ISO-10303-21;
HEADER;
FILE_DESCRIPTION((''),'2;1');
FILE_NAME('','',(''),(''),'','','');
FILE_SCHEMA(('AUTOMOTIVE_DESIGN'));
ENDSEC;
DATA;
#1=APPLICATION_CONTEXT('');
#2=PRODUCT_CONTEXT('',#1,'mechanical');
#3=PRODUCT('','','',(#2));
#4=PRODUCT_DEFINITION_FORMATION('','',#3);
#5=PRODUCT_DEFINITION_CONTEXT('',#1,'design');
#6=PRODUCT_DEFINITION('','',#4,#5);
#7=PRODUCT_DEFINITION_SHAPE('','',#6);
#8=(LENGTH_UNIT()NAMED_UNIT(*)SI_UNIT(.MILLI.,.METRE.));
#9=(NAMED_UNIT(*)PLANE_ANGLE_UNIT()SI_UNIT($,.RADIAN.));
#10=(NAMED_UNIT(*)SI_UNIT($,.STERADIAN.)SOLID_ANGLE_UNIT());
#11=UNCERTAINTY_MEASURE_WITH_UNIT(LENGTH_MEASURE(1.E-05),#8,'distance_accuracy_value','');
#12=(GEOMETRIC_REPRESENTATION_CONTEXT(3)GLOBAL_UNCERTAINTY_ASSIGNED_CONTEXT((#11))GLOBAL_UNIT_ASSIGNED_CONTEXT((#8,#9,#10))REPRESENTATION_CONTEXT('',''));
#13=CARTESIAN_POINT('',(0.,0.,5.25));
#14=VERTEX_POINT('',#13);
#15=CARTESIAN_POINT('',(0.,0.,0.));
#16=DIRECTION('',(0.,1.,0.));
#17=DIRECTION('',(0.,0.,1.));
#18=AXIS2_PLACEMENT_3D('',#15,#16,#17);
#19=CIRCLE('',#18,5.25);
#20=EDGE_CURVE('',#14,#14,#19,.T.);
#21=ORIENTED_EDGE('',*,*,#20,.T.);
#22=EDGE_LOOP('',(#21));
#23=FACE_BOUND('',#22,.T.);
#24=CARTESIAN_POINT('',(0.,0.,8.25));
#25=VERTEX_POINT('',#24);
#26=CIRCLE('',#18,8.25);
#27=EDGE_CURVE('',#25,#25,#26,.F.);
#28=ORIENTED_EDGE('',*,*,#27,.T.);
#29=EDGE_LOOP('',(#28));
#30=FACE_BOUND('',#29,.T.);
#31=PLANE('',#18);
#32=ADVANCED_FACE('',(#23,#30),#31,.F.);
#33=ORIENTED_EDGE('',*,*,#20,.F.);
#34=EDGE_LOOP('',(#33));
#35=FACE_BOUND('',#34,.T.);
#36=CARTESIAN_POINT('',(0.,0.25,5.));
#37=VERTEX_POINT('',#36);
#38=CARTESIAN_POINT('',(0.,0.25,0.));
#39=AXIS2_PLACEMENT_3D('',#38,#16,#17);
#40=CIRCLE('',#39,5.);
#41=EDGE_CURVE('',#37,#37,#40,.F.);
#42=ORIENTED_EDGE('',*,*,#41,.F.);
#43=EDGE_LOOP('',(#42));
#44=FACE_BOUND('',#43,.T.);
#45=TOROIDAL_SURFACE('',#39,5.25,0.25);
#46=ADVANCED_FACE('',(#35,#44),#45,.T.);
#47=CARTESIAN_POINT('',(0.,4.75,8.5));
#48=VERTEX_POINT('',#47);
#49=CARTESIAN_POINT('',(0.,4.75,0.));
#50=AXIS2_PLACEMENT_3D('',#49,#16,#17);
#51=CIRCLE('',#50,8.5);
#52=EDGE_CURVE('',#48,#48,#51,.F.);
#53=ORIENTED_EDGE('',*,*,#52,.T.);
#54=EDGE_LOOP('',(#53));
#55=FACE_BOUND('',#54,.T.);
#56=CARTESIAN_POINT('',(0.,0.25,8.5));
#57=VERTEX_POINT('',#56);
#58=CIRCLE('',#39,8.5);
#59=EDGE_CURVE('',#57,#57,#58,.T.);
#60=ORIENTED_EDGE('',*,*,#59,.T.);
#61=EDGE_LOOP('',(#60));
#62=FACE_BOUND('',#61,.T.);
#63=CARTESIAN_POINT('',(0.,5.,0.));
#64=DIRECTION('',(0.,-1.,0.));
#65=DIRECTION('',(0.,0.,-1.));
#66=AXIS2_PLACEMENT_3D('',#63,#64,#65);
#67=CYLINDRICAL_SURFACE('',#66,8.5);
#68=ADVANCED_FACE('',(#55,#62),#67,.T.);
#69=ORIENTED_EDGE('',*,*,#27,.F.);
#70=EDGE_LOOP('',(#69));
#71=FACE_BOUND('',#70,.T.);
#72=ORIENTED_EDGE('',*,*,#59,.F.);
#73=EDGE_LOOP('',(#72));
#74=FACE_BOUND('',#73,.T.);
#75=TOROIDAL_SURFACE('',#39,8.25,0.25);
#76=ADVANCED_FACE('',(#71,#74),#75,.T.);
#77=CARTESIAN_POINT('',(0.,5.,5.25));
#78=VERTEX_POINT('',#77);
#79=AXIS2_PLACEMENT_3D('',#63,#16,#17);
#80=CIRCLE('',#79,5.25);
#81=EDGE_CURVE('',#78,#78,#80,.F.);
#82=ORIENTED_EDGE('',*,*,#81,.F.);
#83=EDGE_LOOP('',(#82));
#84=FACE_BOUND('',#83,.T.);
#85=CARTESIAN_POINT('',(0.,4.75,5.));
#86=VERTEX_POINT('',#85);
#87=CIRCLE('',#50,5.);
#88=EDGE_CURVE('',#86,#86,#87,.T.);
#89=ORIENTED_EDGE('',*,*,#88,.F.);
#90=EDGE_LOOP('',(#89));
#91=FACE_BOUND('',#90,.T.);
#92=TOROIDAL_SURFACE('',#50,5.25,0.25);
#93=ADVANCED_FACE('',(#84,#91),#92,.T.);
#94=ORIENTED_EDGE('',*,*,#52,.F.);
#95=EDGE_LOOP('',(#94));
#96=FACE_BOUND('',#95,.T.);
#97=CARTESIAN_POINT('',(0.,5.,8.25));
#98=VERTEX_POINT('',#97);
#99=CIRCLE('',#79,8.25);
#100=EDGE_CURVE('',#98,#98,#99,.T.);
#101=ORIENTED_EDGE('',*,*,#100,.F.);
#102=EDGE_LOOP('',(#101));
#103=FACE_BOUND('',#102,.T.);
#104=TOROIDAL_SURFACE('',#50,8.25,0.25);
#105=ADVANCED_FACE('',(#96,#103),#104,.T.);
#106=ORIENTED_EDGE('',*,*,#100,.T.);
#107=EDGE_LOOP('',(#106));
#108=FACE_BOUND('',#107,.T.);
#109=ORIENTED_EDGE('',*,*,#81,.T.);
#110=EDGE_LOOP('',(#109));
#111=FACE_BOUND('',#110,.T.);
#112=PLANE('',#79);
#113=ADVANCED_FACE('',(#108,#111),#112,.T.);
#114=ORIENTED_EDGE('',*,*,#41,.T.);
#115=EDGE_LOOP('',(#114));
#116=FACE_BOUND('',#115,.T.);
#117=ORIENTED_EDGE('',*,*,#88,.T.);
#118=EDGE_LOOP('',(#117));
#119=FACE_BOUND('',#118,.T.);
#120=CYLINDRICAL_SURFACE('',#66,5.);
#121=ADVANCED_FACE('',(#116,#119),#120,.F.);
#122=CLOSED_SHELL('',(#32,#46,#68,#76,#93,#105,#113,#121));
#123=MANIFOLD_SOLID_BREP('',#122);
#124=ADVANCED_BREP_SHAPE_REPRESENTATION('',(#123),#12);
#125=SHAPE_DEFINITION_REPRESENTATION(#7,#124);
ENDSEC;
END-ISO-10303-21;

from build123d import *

# Parameters (mm, degrees)
SKETCH_1_R      = 8.5
SKETCH_1_R_2    = 5
EXTRUDE_1_DEPTH = 5
FILLET_1_R      = 0.25


with BuildPart() as part:
    # 草图1 → 凸台-拉伸1 (new body)
    with BuildSketch(Plane(origin=(0, 0, 0), x_dir=(1, 0, 0), z_dir=(0, 1, 0))):
        with Locations(Location((0, 0, 0), (0, 0, 270))):
            Circle(SKETCH_1_R)
        with Locations(Location((0, 0, 0), (0, 0, 270))):
            Circle(SKETCH_1_R_2, mode=Mode.SUBTRACT)
    extrude(amount=EXTRUDE_1_DEPTH)

    # 圆角1
    fillet_1_edges = [part.edges().sort_by_distance(p)[0] for p in [
        (0, 0, -8.5),
        (0, 5, -8.5),
        (0, 0, -5),
        (0, 5, -5),
    ]]
    fillet(fillet_1_edges, radius=FILLET_1_R)


solid = part.part
